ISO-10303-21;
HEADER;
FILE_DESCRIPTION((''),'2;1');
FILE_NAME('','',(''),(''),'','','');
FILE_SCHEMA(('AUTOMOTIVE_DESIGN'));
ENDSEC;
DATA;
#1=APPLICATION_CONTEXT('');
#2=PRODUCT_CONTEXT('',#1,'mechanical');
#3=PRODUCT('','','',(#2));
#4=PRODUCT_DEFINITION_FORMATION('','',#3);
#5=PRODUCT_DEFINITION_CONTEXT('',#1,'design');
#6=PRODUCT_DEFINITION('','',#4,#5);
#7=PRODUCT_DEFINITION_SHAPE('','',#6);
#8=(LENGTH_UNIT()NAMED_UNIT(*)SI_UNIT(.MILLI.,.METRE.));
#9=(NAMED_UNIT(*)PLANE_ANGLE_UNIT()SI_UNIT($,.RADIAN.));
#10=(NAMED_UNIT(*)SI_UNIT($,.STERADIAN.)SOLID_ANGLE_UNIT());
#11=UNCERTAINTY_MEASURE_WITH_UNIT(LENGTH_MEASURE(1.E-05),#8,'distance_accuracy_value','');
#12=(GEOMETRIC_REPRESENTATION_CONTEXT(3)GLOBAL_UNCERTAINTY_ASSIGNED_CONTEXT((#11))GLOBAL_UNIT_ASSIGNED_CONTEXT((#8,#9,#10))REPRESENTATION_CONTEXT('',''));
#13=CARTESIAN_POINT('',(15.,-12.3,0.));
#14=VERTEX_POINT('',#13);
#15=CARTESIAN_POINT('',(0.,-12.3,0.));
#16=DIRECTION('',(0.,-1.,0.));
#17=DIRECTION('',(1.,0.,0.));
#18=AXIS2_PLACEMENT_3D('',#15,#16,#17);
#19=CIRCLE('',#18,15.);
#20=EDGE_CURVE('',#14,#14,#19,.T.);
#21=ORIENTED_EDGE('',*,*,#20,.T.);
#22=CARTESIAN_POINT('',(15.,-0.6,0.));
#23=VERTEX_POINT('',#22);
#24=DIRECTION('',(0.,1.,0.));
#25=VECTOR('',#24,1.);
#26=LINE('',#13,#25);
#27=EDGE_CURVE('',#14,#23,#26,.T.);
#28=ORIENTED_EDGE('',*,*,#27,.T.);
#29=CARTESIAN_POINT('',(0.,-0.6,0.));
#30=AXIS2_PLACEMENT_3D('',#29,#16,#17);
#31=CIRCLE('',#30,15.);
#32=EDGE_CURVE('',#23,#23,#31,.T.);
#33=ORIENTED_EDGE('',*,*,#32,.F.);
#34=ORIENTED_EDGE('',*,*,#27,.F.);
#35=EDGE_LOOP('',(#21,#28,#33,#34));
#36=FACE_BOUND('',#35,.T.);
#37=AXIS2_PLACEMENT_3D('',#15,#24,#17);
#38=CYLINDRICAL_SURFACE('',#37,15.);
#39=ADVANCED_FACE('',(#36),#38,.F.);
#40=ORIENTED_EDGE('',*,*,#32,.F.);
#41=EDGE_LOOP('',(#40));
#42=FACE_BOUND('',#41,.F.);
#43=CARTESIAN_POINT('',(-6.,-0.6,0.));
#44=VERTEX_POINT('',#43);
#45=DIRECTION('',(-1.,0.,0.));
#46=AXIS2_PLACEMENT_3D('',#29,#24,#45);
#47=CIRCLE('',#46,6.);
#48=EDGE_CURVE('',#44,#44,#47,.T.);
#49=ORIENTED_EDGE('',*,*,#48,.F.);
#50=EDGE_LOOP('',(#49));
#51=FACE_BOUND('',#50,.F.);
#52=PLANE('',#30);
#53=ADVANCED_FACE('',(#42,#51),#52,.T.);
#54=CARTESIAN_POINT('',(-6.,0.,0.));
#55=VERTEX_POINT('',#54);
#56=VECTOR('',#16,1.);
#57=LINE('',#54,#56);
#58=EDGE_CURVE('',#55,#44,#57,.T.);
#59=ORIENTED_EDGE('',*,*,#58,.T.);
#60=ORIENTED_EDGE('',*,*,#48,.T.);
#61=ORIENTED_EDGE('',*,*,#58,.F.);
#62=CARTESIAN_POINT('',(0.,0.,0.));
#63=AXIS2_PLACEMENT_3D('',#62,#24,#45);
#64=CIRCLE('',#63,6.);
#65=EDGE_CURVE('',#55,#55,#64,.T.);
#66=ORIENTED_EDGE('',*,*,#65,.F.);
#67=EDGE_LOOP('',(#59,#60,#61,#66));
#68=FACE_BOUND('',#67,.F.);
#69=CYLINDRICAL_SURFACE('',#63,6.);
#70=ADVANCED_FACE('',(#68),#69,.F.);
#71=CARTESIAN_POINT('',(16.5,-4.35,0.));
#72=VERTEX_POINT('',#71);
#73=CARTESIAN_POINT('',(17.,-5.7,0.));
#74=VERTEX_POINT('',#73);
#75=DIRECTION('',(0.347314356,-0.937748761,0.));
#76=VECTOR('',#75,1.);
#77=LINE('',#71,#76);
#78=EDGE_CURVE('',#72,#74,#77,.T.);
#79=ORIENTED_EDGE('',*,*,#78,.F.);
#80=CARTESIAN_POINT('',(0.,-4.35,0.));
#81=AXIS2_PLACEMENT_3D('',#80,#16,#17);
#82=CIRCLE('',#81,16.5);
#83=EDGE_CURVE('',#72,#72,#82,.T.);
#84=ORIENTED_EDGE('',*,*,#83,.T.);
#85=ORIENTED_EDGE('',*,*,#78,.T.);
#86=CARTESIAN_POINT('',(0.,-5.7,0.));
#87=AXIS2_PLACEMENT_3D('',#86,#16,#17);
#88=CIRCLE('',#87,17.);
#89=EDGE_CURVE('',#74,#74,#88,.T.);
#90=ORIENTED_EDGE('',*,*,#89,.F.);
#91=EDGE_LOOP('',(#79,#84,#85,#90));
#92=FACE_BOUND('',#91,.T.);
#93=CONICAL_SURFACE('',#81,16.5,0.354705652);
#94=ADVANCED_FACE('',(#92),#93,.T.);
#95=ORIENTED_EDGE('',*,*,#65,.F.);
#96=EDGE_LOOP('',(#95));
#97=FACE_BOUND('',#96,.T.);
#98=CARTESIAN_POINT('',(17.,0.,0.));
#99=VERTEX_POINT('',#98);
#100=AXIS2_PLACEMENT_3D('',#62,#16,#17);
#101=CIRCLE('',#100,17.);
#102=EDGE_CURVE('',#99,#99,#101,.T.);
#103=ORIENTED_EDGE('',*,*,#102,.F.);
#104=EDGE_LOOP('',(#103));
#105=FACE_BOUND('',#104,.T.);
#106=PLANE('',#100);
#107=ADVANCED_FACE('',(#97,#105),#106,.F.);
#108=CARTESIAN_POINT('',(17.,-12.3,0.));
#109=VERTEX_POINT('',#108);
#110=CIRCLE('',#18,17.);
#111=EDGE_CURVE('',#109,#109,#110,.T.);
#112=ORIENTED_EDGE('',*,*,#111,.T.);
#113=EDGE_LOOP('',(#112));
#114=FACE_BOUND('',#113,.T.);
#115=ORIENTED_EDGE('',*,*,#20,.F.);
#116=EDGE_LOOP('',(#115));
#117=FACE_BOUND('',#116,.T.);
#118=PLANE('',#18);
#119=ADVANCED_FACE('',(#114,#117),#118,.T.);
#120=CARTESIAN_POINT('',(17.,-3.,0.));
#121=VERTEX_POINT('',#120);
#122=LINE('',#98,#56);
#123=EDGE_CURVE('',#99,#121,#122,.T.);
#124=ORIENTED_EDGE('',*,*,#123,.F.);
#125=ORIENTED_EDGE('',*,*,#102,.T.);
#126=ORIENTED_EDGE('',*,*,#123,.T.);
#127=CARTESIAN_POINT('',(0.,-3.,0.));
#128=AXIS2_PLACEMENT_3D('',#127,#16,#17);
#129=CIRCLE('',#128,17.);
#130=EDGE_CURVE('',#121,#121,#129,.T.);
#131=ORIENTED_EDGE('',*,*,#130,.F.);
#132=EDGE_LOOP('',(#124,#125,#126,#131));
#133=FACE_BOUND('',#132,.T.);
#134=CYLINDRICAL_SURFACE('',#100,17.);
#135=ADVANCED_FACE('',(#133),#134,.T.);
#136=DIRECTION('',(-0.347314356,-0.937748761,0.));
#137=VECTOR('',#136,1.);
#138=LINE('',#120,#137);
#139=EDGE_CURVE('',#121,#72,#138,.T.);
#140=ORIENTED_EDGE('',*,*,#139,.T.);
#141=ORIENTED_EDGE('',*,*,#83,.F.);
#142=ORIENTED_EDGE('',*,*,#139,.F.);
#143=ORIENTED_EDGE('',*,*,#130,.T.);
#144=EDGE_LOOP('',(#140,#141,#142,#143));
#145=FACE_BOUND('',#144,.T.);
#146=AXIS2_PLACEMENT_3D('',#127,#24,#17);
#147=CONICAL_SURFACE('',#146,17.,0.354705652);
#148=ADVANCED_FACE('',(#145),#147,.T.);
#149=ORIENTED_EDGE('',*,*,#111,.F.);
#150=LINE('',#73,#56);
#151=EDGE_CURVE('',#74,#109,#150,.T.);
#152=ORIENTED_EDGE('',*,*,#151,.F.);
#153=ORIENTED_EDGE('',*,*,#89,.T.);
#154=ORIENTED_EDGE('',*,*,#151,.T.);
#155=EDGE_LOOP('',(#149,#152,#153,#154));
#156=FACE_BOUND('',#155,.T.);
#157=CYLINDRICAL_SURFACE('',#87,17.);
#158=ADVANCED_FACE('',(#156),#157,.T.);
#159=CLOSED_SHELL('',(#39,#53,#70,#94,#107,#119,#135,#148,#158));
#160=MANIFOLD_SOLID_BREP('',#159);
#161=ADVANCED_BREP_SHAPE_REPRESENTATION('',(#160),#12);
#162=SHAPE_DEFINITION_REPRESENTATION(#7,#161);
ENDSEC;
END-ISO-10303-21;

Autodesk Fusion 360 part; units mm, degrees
sketch "Sketch1" plane through (0, 0, 0) normal (0, 0, 1) x (1, 0, 0)
  line L0 (0, 0) -> (17, 0)
  line L1 (17, 0) -> (17, -3)
  line L2 (17, -3) -> (17, -5.7)
  line L3 (17, -5.7) -> (17, -12.3)
  line L4 (17, -12.3) -> (15, -12.3)
  line L5 (15, -12.3) -> (15, -0.6)
  line L6 (17, -3) -> (17, -4.35) construction
  line L7 (17, -4.35) -> (16.5, -4.35) construction
  line L8 (17, -3) -> (16.5, -4.35)
  line L9 (16.5, -4.35) -> (17, -5.7)
  line L10 (0, 0) -> (0, -0.6)
  line L11 (0, -0.6) -> (15, -0.6)
  dimension "d1" = 17
  dimension "d2" = 3
  dimension "d4" = 2.7
  dimension "d5" = 6.6
  dimension "d6" = 2
  dimension "d7" = 11.7
  dimension "d8" = 1.35
  dimension "d9" = 0.5
  dimension "d10" = 15
  dimension "d11" = 0.6
  dimension "d12" = 17
revolve "Revolve1" add sketch "Sketch1" angle 360 about axis through (0, 0, 0) along (0, -1, 0) contours L0 L1 L3 L4 L5 L8 L9 L10 L11
sketch "Sketch2" plane through (0, 0, 0) normal (0, 1, 0) x (-1, 0, 0)
  circle A0 centre (0, 0) radius 17
  circle A1 centre (0, 0) radius 16.575
  circle A2 centre (0, 0) radius 6
  dimension "d14" = 34
  dimension "d15" = 33.15
  dimension "d16" = 12
extrude "Extrude1" cut sketch "Sketch2" against normal blind 3 contours A2
equation "d15 = d14 - 0.85 mm"
